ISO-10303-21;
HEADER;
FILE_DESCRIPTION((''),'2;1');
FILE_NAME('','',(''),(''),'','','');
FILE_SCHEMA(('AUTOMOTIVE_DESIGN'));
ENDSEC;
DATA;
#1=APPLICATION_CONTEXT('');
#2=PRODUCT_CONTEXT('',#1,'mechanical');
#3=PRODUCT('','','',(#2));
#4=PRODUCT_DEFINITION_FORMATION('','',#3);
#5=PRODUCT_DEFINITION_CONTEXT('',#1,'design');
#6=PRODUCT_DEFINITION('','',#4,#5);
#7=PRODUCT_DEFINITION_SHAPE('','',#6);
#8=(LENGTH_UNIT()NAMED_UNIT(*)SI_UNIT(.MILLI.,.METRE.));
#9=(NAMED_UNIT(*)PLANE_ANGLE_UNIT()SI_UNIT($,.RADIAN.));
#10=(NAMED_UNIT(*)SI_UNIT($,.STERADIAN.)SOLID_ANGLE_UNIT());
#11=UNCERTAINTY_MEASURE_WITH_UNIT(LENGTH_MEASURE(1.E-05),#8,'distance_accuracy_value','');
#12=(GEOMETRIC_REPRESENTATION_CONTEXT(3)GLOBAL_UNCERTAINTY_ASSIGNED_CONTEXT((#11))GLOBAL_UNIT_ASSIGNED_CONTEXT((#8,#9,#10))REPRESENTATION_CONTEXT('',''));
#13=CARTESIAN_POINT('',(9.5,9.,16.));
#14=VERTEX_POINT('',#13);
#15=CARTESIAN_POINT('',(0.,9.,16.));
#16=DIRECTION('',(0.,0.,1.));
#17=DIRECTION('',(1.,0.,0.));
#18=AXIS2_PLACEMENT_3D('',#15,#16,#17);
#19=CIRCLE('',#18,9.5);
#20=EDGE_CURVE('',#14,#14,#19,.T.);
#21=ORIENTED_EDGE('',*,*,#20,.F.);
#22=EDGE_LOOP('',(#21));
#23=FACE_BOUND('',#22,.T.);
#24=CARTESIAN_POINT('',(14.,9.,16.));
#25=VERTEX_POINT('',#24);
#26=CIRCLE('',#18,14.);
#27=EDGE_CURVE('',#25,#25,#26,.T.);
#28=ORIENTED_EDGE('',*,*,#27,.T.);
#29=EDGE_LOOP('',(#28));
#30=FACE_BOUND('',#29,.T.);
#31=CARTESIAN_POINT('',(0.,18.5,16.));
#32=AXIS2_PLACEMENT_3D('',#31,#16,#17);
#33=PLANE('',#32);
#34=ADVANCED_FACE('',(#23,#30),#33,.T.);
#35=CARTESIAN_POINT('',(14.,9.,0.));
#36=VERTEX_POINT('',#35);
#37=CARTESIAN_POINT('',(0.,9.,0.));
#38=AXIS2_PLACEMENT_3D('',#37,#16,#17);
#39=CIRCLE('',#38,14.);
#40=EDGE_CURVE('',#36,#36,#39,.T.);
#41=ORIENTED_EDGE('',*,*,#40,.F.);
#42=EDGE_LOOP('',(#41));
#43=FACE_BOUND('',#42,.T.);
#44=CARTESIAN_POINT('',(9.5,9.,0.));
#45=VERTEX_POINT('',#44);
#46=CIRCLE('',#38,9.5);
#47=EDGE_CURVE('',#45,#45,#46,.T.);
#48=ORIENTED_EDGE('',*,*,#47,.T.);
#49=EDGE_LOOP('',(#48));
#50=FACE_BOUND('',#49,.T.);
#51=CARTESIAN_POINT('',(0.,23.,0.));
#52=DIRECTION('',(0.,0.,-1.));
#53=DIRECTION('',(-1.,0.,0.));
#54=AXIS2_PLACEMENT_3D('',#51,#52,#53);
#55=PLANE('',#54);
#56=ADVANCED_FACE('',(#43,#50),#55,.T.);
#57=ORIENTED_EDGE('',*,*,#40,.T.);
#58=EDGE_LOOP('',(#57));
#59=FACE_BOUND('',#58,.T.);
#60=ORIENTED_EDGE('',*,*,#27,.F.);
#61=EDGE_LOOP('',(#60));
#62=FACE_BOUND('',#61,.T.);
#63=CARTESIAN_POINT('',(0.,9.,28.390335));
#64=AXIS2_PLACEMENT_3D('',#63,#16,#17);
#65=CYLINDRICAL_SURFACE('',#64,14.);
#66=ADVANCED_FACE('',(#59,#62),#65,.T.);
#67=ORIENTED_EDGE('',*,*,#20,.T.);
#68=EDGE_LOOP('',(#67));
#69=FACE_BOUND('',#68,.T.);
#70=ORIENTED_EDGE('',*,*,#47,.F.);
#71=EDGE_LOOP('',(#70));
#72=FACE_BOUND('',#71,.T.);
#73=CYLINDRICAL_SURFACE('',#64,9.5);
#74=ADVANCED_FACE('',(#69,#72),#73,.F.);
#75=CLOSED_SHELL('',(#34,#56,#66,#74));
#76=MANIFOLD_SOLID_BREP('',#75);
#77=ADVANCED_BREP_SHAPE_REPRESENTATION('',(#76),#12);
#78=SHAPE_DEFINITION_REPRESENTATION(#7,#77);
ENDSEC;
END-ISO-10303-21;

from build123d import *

# Parameters (mm, degrees)
SKETCH_1_W = 16
SKETCH_1_H = 4.5


with BuildPart() as part:
    # 草图1 → 旋转2 (revolve)
    with BuildSketch(Plane(origin=(0, 0, 0), x_dir=(0, 0, -1), z_dir=(1, 0, 0)), mode=Mode.PRIVATE) as revolve_2_sk:
        with Locations((-8, 20.75)):
            Rectangle(SKETCH_1_W, SKETCH_1_H)
    revolve(revolve_2_sk.sketch.rotate(Axis((0, 9, 28.39033539), (0, 0, -1)), 90), axis=Axis((0, 9, 28.39033539), (0, 0, -1)))


solid = part.part
